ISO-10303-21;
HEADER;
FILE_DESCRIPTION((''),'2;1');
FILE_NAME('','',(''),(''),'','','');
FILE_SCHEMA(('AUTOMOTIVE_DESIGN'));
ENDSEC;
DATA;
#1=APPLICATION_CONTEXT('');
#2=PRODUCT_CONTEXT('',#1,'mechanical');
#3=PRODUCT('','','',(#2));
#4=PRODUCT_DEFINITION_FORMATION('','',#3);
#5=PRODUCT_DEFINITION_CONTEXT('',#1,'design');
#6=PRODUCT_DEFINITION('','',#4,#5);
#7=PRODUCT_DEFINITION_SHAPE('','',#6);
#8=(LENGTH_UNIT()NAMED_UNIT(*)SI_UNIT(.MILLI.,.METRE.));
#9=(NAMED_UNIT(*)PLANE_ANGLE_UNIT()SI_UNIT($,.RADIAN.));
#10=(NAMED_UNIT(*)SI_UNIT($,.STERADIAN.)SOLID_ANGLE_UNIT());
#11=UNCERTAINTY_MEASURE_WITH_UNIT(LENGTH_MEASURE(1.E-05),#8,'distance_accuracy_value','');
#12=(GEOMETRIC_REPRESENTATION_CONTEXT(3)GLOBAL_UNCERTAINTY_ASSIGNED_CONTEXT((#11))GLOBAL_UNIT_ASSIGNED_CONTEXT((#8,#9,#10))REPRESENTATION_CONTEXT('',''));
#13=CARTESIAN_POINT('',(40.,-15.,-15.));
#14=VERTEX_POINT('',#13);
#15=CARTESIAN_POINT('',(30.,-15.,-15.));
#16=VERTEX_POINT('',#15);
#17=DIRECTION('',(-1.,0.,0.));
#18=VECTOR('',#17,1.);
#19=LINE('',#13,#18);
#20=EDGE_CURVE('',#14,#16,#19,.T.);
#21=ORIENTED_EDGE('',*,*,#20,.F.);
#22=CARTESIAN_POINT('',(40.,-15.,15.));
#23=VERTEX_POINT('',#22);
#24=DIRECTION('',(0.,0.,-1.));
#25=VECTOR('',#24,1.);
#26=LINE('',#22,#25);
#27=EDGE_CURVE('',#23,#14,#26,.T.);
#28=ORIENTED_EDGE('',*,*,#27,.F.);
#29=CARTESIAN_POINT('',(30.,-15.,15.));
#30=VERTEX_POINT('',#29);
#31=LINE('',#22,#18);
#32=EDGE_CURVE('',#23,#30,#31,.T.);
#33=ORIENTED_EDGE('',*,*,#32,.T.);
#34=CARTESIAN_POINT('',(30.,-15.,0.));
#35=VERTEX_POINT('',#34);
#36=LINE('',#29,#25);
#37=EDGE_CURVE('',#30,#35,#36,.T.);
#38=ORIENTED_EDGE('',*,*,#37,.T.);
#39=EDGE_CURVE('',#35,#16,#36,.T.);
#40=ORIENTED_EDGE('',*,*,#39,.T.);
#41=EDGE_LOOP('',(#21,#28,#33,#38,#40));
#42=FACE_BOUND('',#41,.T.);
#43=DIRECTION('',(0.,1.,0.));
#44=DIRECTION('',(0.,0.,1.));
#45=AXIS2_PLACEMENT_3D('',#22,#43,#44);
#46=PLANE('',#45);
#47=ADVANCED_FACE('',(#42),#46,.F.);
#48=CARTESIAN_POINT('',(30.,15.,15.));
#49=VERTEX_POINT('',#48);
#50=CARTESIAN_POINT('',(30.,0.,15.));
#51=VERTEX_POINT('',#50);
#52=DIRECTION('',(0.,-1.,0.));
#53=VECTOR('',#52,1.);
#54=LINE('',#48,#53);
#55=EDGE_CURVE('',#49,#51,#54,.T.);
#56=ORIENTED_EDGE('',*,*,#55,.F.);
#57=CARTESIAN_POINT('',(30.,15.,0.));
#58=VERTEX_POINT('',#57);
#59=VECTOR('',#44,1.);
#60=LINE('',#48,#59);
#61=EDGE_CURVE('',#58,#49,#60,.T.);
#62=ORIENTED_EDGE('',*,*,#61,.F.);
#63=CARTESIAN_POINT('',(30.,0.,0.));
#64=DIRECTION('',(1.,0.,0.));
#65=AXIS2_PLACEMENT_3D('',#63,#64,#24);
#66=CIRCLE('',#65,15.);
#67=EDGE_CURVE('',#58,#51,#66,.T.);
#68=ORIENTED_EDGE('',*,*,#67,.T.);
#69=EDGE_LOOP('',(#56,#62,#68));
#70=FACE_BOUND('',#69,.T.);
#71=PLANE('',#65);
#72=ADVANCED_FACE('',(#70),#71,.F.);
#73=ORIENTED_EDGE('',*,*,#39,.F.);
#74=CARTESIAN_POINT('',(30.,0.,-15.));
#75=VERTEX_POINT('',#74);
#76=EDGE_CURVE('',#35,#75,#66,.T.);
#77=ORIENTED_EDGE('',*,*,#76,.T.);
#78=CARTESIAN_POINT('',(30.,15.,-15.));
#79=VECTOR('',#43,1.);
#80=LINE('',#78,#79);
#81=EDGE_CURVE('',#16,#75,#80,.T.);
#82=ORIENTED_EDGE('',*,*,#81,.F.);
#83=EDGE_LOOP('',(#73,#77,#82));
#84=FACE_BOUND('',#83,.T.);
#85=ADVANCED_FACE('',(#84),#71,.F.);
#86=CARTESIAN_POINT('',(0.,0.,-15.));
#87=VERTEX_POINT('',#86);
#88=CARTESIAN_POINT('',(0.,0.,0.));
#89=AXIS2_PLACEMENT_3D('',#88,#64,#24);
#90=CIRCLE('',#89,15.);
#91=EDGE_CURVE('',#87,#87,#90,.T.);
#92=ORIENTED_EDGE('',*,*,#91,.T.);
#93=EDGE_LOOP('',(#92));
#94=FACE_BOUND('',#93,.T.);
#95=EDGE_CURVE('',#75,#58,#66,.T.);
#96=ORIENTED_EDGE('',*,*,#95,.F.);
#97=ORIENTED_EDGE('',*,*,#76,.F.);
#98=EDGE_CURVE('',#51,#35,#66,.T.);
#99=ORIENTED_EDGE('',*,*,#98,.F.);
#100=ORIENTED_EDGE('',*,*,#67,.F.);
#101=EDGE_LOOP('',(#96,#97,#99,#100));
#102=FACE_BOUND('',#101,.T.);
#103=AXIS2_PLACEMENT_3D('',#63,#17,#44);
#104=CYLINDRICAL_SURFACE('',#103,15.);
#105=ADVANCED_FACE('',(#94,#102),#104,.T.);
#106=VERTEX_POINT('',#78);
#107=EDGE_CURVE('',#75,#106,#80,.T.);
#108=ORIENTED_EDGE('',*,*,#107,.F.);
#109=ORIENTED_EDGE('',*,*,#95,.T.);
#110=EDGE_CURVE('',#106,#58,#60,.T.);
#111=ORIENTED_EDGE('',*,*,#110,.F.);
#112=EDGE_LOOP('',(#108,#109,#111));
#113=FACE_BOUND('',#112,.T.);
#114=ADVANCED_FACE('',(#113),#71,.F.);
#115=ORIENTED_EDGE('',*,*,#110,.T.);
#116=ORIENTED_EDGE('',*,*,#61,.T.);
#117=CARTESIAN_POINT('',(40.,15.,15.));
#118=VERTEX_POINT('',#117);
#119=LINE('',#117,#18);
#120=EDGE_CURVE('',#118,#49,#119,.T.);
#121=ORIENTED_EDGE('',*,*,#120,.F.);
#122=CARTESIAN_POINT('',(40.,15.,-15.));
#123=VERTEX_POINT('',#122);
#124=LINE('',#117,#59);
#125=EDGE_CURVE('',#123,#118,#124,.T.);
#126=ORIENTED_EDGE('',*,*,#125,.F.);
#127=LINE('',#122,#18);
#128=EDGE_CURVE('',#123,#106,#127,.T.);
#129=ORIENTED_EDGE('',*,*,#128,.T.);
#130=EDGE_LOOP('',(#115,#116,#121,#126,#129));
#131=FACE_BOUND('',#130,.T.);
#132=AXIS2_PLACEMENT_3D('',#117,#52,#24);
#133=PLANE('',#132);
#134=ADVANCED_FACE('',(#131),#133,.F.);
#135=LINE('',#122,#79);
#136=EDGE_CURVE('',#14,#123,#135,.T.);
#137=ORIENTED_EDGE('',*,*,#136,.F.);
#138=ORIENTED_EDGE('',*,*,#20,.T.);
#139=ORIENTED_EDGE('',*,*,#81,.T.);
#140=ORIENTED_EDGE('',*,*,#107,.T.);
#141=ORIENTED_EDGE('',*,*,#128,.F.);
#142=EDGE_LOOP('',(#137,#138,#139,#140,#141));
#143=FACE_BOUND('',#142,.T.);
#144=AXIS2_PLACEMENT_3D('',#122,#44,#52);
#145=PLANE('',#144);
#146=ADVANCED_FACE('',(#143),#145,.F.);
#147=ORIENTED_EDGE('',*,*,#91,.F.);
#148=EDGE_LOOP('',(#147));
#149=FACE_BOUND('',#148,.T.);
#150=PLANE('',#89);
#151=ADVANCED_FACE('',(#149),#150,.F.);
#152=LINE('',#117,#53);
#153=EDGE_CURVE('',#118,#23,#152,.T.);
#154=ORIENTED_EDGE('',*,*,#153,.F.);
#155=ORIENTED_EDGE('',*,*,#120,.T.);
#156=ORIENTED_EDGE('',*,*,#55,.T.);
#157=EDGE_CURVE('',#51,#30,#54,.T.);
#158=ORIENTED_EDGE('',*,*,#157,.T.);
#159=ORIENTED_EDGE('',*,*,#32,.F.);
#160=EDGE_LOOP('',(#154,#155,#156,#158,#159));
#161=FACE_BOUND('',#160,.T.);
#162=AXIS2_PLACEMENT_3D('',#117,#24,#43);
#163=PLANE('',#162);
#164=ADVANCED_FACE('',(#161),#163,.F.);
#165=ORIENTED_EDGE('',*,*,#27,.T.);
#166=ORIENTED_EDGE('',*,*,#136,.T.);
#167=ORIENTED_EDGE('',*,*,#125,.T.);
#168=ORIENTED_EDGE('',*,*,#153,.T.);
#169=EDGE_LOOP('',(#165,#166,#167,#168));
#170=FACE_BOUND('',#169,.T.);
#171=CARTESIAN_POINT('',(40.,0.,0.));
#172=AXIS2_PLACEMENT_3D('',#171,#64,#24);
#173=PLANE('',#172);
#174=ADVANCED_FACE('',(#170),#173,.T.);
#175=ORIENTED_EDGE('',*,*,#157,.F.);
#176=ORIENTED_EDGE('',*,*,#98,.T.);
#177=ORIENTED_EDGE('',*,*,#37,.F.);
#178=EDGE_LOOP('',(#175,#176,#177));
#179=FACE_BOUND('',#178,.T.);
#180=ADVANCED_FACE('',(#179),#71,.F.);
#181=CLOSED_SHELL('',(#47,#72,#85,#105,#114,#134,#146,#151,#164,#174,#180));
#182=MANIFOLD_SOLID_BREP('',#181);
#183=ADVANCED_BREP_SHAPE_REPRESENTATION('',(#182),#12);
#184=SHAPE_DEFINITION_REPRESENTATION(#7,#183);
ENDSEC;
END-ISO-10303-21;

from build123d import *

# Parameters (mm, degrees)
SKETCH1_R           = 15
BOSS_EXTRUDE1_DEPTH = 30
SKETCH2_W           = 30
SKETCH2_H           = 30
BOSS_EXTRUDE2_DEPTH = 10


with BuildPart() as part:
    # Sketch1 → Boss-Extrude1 (new body)
    with BuildSketch(Plane(origin=(0, 0, 0), x_dir=(0, 0, -1), z_dir=(1, 0, 0))):
        Circle(SKETCH1_R)
    extrude(amount=BOSS_EXTRUDE1_DEPTH)

    # Sketch2 → Boss-Extrude2 (add)
    with BuildSketch(Plane(origin=(30, 0, 0), x_dir=(0, 0, -1), z_dir=(1, 0, 0))):
        Rectangle(SKETCH2_W, SKETCH2_H)
    extrude(amount=BOSS_EXTRUDE2_DEPTH)


solid = part.part
